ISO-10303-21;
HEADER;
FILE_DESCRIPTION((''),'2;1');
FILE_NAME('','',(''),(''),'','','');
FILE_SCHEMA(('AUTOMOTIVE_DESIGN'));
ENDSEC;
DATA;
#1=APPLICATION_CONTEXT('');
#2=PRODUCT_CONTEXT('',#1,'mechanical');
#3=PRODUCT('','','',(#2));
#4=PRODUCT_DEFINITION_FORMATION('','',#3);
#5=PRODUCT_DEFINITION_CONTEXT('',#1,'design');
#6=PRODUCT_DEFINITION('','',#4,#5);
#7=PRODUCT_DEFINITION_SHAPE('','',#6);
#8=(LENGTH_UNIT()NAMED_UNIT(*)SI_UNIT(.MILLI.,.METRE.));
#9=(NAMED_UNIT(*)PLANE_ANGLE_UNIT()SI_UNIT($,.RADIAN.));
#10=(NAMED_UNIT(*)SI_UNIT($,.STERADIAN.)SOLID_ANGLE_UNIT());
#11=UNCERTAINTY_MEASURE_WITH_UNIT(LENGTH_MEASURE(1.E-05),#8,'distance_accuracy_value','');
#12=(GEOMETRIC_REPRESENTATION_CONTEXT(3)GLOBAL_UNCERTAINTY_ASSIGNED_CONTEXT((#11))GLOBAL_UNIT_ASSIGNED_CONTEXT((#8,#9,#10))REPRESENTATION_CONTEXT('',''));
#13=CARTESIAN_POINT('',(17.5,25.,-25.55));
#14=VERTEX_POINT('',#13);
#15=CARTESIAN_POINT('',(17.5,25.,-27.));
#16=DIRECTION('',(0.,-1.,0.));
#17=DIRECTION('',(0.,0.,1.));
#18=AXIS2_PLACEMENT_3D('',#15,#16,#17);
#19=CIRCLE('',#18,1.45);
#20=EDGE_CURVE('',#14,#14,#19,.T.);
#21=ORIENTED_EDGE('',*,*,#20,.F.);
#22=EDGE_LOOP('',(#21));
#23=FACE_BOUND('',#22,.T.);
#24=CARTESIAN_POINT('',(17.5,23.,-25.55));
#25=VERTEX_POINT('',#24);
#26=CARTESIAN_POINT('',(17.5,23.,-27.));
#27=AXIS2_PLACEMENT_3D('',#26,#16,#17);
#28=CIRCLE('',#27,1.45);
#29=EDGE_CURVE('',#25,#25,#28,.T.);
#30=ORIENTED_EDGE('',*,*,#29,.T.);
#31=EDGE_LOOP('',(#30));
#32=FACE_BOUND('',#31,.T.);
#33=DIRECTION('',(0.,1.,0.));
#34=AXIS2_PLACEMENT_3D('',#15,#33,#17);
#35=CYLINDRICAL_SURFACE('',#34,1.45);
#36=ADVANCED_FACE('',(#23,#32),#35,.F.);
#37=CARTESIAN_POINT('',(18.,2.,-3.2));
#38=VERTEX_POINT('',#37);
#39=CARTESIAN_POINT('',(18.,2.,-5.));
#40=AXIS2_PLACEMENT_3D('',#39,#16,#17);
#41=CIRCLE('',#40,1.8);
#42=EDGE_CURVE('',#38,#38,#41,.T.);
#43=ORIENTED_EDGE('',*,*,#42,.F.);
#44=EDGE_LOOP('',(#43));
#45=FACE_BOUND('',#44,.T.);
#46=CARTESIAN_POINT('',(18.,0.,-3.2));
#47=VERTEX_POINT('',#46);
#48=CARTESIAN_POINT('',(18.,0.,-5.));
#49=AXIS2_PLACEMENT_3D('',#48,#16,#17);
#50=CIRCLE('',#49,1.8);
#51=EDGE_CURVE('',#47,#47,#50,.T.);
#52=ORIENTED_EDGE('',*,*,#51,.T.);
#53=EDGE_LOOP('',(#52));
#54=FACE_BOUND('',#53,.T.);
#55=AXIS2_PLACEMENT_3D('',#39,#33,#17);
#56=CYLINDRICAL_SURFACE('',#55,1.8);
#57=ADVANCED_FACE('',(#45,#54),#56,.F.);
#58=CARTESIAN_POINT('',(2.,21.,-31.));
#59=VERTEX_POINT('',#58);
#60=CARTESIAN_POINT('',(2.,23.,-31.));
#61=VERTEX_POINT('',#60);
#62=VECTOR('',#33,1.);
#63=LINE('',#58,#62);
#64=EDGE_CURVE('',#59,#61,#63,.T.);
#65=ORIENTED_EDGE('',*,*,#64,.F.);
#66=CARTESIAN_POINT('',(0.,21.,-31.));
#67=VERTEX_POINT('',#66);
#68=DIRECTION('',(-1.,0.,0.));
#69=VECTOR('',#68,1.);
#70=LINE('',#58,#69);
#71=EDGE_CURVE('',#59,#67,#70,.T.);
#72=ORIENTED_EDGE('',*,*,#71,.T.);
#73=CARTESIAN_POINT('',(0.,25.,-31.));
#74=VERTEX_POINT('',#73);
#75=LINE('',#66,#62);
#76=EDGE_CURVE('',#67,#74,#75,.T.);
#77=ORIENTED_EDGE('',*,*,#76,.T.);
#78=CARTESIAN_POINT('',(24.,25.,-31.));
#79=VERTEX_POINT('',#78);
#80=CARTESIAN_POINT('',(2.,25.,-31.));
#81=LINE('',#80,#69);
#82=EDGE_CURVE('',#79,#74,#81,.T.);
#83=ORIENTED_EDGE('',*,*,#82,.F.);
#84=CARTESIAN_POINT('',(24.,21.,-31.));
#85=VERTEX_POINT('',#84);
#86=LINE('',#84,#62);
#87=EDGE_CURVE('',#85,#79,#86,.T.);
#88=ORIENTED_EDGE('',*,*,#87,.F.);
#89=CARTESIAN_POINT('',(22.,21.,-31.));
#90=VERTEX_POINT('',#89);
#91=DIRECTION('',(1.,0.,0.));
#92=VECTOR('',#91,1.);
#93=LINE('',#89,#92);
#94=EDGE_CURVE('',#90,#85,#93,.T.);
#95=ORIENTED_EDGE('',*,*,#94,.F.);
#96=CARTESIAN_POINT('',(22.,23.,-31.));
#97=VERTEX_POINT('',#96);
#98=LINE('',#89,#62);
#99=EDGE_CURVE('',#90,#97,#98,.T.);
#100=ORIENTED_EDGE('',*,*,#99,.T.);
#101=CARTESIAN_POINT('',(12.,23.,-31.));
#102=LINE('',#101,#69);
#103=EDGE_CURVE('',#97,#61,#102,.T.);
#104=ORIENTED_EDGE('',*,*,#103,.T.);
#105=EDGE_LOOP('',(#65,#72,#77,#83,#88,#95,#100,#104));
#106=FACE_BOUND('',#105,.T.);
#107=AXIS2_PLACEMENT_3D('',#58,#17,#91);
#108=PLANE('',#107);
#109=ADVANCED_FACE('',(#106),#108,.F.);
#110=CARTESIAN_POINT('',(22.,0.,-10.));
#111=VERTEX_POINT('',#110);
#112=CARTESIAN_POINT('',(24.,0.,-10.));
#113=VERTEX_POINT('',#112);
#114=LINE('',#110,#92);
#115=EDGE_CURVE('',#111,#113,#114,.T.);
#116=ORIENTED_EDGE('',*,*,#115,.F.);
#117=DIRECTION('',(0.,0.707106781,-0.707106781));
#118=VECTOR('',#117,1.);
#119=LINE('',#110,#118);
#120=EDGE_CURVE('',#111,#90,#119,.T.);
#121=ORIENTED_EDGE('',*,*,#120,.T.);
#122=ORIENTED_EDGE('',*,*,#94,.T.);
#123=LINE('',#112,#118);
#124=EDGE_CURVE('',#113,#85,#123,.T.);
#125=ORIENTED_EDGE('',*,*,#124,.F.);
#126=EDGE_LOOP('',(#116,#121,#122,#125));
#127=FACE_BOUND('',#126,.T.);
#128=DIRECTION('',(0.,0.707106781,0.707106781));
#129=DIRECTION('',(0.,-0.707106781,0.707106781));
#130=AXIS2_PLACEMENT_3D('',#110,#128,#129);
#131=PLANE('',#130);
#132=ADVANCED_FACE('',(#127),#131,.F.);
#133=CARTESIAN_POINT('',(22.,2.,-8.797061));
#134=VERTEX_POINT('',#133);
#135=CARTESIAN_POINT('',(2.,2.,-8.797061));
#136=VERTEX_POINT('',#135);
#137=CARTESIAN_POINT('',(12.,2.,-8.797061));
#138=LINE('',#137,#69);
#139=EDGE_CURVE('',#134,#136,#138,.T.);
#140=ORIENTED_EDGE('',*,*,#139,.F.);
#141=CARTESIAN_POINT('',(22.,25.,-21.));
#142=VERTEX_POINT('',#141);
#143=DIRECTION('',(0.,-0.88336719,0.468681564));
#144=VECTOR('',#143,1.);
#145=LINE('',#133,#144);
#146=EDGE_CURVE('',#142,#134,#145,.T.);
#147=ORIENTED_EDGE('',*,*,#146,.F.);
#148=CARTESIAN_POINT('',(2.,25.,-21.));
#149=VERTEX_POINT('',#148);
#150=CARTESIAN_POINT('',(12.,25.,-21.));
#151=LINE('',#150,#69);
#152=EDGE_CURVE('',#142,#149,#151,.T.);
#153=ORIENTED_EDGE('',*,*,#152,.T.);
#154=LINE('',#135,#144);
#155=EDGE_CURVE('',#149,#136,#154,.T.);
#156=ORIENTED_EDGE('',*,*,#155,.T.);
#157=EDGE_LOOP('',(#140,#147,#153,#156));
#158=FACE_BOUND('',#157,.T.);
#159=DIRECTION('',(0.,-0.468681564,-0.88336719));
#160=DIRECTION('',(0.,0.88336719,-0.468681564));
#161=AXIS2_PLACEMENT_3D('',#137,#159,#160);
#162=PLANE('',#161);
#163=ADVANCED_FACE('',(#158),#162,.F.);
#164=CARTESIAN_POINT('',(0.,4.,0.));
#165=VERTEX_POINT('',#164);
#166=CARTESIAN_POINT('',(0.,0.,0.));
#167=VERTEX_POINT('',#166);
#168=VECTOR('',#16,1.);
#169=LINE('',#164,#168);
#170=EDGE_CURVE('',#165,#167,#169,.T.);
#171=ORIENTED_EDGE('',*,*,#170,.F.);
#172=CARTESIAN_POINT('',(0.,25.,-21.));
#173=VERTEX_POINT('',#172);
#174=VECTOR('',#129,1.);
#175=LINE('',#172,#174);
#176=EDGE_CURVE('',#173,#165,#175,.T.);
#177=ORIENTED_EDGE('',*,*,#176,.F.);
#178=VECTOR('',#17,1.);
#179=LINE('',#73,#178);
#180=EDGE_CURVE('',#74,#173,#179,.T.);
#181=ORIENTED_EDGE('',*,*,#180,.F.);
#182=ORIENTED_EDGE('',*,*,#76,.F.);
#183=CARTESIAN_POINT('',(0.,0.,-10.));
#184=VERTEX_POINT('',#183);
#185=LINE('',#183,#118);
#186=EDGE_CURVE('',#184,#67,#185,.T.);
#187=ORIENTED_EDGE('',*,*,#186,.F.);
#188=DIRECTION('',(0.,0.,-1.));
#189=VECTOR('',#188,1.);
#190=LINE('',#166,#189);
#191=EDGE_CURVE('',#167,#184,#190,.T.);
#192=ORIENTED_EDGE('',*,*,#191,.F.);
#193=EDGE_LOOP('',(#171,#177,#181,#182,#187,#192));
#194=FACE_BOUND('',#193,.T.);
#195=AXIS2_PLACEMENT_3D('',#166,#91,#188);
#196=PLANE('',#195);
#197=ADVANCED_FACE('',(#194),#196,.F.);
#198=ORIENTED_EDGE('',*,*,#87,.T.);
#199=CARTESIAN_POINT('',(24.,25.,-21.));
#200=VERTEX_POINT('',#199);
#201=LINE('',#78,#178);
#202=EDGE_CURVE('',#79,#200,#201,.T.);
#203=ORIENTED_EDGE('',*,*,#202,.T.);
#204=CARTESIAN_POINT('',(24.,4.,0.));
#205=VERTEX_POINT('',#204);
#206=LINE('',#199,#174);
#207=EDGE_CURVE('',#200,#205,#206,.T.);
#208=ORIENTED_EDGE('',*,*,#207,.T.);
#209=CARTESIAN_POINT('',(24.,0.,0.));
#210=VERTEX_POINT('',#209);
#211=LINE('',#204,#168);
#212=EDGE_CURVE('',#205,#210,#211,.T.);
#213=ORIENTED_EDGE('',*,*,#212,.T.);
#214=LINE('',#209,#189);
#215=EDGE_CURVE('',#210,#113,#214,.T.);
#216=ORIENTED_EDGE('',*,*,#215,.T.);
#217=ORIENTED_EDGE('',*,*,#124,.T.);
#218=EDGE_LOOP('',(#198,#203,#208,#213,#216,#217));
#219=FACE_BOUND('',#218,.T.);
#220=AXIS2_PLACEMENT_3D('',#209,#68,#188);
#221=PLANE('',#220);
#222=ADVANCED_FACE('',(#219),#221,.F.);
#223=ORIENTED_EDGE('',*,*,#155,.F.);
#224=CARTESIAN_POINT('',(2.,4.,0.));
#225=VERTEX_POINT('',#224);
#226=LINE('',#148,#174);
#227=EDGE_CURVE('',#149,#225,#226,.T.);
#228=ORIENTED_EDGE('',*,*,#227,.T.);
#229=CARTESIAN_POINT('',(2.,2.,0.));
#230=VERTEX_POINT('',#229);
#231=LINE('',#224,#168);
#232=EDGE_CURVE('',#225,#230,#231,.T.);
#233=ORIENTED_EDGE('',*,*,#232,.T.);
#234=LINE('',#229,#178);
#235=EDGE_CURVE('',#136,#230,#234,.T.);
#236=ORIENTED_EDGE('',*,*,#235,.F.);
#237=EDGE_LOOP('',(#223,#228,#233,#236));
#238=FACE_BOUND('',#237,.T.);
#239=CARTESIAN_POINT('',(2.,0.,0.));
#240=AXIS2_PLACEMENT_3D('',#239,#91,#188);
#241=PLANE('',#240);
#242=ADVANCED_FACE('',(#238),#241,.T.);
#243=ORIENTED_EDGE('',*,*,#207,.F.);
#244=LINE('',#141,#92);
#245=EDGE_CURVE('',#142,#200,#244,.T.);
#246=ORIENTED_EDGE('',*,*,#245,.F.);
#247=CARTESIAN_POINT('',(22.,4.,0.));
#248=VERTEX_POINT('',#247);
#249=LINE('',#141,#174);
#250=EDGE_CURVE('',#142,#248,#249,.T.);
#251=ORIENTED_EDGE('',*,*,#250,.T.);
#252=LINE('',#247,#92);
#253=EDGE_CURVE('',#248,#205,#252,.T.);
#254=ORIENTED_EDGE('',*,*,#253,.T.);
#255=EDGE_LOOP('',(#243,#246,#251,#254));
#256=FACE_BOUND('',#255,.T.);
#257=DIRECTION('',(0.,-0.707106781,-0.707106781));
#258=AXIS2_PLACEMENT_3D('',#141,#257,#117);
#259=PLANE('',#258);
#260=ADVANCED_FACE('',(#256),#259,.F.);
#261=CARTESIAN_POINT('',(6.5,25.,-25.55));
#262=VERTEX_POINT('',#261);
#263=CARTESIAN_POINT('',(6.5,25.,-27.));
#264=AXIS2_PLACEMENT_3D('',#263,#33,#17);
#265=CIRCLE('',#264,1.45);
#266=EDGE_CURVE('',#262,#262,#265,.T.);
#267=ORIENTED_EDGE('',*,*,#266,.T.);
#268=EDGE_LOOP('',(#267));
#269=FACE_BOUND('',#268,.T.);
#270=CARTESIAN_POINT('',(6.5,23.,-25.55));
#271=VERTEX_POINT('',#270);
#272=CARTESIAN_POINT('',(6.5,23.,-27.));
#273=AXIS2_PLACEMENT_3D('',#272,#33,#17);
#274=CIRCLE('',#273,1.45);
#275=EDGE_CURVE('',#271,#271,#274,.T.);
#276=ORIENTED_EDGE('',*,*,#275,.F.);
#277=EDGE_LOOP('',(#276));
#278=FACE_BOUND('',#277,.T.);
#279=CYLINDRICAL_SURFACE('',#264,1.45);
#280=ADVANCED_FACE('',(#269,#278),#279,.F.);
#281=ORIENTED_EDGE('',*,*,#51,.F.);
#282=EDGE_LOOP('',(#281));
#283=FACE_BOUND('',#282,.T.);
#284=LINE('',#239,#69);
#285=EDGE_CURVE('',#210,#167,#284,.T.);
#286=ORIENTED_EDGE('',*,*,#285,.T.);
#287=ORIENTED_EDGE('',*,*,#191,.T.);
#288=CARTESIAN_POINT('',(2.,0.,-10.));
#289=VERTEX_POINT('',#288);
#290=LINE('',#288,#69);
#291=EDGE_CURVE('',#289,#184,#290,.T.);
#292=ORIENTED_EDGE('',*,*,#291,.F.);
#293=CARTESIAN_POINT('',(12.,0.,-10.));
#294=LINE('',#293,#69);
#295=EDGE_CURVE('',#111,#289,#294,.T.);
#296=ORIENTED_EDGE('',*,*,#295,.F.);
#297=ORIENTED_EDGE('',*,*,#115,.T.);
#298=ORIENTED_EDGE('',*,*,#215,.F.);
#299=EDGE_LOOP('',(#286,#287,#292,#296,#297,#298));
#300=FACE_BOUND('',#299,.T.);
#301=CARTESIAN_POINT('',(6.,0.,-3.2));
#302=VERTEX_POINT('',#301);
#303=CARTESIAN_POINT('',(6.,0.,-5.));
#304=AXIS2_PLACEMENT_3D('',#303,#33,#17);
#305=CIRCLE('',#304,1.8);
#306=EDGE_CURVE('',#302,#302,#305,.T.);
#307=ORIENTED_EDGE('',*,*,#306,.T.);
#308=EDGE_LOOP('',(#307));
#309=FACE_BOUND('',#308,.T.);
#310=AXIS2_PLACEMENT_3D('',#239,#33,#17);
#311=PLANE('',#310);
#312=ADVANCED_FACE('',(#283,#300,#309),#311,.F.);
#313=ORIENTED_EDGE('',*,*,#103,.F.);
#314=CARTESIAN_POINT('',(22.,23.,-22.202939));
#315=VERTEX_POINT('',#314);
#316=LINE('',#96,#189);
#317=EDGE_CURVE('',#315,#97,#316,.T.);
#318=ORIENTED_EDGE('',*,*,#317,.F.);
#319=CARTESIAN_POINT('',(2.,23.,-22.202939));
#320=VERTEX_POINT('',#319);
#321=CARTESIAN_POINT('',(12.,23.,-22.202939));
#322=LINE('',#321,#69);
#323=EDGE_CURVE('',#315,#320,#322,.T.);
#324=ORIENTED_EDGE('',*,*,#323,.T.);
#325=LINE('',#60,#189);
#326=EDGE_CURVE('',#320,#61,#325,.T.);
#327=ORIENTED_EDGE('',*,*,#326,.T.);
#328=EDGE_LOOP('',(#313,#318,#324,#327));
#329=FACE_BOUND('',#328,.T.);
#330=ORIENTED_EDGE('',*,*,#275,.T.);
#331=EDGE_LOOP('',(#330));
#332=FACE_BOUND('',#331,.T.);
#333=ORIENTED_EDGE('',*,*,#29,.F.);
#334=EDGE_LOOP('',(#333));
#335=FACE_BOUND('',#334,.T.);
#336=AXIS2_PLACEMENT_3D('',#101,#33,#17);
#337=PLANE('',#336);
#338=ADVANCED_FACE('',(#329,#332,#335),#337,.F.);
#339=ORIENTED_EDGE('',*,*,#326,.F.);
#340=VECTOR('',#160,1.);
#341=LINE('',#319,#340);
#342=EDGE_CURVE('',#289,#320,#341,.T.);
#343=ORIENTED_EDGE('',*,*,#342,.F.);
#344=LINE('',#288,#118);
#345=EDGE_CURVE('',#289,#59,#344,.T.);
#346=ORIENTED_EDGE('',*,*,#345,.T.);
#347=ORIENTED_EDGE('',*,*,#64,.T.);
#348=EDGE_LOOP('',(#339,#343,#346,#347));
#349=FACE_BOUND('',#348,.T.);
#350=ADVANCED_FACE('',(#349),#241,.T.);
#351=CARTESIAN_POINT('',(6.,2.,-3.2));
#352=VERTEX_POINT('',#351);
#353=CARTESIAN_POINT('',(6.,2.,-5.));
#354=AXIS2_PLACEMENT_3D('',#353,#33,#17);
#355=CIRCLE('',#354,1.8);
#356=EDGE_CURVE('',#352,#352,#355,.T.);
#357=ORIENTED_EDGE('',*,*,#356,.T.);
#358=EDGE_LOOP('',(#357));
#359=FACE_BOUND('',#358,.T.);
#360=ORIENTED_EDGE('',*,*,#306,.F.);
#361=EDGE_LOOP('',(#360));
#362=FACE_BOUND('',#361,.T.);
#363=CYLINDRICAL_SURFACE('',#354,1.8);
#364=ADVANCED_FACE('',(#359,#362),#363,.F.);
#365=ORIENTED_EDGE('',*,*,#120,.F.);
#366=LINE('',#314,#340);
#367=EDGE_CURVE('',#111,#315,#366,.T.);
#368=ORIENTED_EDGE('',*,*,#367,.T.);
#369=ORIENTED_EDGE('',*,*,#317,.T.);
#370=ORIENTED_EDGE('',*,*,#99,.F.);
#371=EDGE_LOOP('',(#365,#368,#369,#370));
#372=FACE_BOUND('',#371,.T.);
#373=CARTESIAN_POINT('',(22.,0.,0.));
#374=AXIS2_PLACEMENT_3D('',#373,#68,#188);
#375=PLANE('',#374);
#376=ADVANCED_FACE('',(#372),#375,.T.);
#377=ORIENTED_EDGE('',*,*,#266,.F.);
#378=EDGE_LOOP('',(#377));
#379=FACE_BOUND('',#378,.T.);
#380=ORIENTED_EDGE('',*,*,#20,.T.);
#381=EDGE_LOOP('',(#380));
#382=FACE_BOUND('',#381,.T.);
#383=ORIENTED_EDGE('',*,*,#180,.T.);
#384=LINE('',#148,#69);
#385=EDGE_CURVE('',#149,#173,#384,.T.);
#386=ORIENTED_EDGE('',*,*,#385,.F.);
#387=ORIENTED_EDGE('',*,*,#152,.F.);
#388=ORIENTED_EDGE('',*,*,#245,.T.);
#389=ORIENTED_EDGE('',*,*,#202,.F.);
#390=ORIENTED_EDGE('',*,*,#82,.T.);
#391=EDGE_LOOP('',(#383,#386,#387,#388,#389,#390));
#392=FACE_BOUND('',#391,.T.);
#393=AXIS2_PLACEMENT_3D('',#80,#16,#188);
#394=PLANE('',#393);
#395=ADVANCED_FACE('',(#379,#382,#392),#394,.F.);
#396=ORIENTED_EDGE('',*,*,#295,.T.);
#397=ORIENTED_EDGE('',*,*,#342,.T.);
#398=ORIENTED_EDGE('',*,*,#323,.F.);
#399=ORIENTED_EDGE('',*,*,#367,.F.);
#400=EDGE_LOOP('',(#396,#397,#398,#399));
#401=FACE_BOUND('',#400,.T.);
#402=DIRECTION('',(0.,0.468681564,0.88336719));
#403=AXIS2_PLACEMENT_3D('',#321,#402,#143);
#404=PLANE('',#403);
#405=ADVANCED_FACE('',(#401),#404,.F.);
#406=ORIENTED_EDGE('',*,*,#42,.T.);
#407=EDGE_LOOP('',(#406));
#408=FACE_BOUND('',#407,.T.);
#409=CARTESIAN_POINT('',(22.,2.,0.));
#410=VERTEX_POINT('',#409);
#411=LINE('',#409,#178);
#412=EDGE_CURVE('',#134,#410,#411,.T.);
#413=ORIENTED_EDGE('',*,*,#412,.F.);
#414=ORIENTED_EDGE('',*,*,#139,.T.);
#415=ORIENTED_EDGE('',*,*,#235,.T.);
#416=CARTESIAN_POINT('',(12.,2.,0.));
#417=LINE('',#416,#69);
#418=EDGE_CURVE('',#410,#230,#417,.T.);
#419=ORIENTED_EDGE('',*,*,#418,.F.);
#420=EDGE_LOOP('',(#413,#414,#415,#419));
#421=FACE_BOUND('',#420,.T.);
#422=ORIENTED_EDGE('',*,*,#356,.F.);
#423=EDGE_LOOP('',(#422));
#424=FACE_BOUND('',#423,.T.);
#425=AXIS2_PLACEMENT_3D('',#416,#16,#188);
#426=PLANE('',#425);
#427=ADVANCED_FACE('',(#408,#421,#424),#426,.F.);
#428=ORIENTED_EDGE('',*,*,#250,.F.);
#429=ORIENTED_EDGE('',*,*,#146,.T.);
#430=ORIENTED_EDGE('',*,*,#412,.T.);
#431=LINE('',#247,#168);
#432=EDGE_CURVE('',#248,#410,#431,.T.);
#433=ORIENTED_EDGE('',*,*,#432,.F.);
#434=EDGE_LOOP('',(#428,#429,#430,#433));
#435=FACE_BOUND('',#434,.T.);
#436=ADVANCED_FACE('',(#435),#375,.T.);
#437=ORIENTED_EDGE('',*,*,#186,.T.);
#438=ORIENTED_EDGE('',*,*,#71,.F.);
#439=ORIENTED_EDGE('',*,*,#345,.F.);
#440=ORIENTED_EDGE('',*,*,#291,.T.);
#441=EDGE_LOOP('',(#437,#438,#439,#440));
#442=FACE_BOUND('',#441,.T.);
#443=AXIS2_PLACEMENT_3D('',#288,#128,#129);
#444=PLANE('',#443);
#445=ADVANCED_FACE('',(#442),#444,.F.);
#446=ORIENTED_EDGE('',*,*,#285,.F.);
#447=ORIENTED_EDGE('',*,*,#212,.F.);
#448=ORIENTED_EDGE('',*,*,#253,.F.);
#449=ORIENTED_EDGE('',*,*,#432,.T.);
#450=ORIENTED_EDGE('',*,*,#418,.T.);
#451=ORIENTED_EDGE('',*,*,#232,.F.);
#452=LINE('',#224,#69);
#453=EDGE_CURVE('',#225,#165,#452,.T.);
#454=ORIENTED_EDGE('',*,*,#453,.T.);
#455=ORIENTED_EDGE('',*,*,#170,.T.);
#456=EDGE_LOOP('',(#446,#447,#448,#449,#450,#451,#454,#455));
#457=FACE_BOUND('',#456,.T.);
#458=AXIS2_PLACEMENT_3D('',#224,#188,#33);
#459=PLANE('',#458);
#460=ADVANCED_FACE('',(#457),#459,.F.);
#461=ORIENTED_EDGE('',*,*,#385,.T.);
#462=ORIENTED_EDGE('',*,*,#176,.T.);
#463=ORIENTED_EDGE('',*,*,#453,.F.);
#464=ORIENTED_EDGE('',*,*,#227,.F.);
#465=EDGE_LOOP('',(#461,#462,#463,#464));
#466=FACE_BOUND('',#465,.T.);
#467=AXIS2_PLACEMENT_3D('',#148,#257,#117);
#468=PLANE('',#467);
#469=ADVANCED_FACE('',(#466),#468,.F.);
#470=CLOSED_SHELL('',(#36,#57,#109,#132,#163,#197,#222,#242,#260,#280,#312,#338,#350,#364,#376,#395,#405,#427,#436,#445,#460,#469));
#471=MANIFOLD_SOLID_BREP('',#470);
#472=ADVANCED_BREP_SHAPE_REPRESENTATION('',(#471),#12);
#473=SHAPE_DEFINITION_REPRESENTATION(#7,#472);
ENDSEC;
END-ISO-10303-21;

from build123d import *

# Parameters (mm, degrees)
BOSS_EXTRUDE1_DEPTH    = 2
BOSS_EXTRUDE2_DEPTH    = 10
M3_CLEARANCE_HOLE1_D   = 3.6
M2_5_CLEARANCE_HOLE1_D = 2.9


with BuildPart() as part:
    # Sketch1 → Boss-Extrude1 (new body)
    with BuildSketch(Plane(origin=(0, 0, 0), x_dir=(0, 0, -1), z_dir=(1, 0, 0))):
        Polygon((0, 0), (10, 0), (31, 21), (31, 25), (21, 25), (0, 4), align=None)
    extrude(amount=BOSS_EXTRUDE1_DEPTH)

    # Sketch2 → Boss-Extrude2 (add)
    with BuildSketch(Plane(origin=(2, 0, 0), x_dir=(0, 0, -1), z_dir=(1, 0, 0))):
        Polygon((10, 0), (0, 0), (0, 2), (8.797060967, 2), (21, 25), (31, 25), (31, 23), (22.202939033, 23), align=None)
    extrude(amount=BOSS_EXTRUDE2_DEPTH)

    # M3 Clearance Hole1 (through all)
    with Locations(Plane(origin=(0, 2, 0), x_dir=(1, 0, 0), z_dir=(0, 1, 0))):
        with Locations((6, 5)):
            Hole(M3_CLEARANCE_HOLE1_D / 2)

    # M2.5 Clearance Hole1 (through all)
    with Locations(Plane(origin=(0, 25, 0), x_dir=(1, 0, 0), z_dir=(0, 1, 0))):
        with Locations((6.5, 27)):
            Hole(M2_5_CLEARANCE_HOLE1_D / 2)

    # Mirror1: part across plane


with BuildPart() as part_1:
    add(part.part)
    add(part.part.mirror(Plane.ZY.offset(-12)))


solid = part_1.part
